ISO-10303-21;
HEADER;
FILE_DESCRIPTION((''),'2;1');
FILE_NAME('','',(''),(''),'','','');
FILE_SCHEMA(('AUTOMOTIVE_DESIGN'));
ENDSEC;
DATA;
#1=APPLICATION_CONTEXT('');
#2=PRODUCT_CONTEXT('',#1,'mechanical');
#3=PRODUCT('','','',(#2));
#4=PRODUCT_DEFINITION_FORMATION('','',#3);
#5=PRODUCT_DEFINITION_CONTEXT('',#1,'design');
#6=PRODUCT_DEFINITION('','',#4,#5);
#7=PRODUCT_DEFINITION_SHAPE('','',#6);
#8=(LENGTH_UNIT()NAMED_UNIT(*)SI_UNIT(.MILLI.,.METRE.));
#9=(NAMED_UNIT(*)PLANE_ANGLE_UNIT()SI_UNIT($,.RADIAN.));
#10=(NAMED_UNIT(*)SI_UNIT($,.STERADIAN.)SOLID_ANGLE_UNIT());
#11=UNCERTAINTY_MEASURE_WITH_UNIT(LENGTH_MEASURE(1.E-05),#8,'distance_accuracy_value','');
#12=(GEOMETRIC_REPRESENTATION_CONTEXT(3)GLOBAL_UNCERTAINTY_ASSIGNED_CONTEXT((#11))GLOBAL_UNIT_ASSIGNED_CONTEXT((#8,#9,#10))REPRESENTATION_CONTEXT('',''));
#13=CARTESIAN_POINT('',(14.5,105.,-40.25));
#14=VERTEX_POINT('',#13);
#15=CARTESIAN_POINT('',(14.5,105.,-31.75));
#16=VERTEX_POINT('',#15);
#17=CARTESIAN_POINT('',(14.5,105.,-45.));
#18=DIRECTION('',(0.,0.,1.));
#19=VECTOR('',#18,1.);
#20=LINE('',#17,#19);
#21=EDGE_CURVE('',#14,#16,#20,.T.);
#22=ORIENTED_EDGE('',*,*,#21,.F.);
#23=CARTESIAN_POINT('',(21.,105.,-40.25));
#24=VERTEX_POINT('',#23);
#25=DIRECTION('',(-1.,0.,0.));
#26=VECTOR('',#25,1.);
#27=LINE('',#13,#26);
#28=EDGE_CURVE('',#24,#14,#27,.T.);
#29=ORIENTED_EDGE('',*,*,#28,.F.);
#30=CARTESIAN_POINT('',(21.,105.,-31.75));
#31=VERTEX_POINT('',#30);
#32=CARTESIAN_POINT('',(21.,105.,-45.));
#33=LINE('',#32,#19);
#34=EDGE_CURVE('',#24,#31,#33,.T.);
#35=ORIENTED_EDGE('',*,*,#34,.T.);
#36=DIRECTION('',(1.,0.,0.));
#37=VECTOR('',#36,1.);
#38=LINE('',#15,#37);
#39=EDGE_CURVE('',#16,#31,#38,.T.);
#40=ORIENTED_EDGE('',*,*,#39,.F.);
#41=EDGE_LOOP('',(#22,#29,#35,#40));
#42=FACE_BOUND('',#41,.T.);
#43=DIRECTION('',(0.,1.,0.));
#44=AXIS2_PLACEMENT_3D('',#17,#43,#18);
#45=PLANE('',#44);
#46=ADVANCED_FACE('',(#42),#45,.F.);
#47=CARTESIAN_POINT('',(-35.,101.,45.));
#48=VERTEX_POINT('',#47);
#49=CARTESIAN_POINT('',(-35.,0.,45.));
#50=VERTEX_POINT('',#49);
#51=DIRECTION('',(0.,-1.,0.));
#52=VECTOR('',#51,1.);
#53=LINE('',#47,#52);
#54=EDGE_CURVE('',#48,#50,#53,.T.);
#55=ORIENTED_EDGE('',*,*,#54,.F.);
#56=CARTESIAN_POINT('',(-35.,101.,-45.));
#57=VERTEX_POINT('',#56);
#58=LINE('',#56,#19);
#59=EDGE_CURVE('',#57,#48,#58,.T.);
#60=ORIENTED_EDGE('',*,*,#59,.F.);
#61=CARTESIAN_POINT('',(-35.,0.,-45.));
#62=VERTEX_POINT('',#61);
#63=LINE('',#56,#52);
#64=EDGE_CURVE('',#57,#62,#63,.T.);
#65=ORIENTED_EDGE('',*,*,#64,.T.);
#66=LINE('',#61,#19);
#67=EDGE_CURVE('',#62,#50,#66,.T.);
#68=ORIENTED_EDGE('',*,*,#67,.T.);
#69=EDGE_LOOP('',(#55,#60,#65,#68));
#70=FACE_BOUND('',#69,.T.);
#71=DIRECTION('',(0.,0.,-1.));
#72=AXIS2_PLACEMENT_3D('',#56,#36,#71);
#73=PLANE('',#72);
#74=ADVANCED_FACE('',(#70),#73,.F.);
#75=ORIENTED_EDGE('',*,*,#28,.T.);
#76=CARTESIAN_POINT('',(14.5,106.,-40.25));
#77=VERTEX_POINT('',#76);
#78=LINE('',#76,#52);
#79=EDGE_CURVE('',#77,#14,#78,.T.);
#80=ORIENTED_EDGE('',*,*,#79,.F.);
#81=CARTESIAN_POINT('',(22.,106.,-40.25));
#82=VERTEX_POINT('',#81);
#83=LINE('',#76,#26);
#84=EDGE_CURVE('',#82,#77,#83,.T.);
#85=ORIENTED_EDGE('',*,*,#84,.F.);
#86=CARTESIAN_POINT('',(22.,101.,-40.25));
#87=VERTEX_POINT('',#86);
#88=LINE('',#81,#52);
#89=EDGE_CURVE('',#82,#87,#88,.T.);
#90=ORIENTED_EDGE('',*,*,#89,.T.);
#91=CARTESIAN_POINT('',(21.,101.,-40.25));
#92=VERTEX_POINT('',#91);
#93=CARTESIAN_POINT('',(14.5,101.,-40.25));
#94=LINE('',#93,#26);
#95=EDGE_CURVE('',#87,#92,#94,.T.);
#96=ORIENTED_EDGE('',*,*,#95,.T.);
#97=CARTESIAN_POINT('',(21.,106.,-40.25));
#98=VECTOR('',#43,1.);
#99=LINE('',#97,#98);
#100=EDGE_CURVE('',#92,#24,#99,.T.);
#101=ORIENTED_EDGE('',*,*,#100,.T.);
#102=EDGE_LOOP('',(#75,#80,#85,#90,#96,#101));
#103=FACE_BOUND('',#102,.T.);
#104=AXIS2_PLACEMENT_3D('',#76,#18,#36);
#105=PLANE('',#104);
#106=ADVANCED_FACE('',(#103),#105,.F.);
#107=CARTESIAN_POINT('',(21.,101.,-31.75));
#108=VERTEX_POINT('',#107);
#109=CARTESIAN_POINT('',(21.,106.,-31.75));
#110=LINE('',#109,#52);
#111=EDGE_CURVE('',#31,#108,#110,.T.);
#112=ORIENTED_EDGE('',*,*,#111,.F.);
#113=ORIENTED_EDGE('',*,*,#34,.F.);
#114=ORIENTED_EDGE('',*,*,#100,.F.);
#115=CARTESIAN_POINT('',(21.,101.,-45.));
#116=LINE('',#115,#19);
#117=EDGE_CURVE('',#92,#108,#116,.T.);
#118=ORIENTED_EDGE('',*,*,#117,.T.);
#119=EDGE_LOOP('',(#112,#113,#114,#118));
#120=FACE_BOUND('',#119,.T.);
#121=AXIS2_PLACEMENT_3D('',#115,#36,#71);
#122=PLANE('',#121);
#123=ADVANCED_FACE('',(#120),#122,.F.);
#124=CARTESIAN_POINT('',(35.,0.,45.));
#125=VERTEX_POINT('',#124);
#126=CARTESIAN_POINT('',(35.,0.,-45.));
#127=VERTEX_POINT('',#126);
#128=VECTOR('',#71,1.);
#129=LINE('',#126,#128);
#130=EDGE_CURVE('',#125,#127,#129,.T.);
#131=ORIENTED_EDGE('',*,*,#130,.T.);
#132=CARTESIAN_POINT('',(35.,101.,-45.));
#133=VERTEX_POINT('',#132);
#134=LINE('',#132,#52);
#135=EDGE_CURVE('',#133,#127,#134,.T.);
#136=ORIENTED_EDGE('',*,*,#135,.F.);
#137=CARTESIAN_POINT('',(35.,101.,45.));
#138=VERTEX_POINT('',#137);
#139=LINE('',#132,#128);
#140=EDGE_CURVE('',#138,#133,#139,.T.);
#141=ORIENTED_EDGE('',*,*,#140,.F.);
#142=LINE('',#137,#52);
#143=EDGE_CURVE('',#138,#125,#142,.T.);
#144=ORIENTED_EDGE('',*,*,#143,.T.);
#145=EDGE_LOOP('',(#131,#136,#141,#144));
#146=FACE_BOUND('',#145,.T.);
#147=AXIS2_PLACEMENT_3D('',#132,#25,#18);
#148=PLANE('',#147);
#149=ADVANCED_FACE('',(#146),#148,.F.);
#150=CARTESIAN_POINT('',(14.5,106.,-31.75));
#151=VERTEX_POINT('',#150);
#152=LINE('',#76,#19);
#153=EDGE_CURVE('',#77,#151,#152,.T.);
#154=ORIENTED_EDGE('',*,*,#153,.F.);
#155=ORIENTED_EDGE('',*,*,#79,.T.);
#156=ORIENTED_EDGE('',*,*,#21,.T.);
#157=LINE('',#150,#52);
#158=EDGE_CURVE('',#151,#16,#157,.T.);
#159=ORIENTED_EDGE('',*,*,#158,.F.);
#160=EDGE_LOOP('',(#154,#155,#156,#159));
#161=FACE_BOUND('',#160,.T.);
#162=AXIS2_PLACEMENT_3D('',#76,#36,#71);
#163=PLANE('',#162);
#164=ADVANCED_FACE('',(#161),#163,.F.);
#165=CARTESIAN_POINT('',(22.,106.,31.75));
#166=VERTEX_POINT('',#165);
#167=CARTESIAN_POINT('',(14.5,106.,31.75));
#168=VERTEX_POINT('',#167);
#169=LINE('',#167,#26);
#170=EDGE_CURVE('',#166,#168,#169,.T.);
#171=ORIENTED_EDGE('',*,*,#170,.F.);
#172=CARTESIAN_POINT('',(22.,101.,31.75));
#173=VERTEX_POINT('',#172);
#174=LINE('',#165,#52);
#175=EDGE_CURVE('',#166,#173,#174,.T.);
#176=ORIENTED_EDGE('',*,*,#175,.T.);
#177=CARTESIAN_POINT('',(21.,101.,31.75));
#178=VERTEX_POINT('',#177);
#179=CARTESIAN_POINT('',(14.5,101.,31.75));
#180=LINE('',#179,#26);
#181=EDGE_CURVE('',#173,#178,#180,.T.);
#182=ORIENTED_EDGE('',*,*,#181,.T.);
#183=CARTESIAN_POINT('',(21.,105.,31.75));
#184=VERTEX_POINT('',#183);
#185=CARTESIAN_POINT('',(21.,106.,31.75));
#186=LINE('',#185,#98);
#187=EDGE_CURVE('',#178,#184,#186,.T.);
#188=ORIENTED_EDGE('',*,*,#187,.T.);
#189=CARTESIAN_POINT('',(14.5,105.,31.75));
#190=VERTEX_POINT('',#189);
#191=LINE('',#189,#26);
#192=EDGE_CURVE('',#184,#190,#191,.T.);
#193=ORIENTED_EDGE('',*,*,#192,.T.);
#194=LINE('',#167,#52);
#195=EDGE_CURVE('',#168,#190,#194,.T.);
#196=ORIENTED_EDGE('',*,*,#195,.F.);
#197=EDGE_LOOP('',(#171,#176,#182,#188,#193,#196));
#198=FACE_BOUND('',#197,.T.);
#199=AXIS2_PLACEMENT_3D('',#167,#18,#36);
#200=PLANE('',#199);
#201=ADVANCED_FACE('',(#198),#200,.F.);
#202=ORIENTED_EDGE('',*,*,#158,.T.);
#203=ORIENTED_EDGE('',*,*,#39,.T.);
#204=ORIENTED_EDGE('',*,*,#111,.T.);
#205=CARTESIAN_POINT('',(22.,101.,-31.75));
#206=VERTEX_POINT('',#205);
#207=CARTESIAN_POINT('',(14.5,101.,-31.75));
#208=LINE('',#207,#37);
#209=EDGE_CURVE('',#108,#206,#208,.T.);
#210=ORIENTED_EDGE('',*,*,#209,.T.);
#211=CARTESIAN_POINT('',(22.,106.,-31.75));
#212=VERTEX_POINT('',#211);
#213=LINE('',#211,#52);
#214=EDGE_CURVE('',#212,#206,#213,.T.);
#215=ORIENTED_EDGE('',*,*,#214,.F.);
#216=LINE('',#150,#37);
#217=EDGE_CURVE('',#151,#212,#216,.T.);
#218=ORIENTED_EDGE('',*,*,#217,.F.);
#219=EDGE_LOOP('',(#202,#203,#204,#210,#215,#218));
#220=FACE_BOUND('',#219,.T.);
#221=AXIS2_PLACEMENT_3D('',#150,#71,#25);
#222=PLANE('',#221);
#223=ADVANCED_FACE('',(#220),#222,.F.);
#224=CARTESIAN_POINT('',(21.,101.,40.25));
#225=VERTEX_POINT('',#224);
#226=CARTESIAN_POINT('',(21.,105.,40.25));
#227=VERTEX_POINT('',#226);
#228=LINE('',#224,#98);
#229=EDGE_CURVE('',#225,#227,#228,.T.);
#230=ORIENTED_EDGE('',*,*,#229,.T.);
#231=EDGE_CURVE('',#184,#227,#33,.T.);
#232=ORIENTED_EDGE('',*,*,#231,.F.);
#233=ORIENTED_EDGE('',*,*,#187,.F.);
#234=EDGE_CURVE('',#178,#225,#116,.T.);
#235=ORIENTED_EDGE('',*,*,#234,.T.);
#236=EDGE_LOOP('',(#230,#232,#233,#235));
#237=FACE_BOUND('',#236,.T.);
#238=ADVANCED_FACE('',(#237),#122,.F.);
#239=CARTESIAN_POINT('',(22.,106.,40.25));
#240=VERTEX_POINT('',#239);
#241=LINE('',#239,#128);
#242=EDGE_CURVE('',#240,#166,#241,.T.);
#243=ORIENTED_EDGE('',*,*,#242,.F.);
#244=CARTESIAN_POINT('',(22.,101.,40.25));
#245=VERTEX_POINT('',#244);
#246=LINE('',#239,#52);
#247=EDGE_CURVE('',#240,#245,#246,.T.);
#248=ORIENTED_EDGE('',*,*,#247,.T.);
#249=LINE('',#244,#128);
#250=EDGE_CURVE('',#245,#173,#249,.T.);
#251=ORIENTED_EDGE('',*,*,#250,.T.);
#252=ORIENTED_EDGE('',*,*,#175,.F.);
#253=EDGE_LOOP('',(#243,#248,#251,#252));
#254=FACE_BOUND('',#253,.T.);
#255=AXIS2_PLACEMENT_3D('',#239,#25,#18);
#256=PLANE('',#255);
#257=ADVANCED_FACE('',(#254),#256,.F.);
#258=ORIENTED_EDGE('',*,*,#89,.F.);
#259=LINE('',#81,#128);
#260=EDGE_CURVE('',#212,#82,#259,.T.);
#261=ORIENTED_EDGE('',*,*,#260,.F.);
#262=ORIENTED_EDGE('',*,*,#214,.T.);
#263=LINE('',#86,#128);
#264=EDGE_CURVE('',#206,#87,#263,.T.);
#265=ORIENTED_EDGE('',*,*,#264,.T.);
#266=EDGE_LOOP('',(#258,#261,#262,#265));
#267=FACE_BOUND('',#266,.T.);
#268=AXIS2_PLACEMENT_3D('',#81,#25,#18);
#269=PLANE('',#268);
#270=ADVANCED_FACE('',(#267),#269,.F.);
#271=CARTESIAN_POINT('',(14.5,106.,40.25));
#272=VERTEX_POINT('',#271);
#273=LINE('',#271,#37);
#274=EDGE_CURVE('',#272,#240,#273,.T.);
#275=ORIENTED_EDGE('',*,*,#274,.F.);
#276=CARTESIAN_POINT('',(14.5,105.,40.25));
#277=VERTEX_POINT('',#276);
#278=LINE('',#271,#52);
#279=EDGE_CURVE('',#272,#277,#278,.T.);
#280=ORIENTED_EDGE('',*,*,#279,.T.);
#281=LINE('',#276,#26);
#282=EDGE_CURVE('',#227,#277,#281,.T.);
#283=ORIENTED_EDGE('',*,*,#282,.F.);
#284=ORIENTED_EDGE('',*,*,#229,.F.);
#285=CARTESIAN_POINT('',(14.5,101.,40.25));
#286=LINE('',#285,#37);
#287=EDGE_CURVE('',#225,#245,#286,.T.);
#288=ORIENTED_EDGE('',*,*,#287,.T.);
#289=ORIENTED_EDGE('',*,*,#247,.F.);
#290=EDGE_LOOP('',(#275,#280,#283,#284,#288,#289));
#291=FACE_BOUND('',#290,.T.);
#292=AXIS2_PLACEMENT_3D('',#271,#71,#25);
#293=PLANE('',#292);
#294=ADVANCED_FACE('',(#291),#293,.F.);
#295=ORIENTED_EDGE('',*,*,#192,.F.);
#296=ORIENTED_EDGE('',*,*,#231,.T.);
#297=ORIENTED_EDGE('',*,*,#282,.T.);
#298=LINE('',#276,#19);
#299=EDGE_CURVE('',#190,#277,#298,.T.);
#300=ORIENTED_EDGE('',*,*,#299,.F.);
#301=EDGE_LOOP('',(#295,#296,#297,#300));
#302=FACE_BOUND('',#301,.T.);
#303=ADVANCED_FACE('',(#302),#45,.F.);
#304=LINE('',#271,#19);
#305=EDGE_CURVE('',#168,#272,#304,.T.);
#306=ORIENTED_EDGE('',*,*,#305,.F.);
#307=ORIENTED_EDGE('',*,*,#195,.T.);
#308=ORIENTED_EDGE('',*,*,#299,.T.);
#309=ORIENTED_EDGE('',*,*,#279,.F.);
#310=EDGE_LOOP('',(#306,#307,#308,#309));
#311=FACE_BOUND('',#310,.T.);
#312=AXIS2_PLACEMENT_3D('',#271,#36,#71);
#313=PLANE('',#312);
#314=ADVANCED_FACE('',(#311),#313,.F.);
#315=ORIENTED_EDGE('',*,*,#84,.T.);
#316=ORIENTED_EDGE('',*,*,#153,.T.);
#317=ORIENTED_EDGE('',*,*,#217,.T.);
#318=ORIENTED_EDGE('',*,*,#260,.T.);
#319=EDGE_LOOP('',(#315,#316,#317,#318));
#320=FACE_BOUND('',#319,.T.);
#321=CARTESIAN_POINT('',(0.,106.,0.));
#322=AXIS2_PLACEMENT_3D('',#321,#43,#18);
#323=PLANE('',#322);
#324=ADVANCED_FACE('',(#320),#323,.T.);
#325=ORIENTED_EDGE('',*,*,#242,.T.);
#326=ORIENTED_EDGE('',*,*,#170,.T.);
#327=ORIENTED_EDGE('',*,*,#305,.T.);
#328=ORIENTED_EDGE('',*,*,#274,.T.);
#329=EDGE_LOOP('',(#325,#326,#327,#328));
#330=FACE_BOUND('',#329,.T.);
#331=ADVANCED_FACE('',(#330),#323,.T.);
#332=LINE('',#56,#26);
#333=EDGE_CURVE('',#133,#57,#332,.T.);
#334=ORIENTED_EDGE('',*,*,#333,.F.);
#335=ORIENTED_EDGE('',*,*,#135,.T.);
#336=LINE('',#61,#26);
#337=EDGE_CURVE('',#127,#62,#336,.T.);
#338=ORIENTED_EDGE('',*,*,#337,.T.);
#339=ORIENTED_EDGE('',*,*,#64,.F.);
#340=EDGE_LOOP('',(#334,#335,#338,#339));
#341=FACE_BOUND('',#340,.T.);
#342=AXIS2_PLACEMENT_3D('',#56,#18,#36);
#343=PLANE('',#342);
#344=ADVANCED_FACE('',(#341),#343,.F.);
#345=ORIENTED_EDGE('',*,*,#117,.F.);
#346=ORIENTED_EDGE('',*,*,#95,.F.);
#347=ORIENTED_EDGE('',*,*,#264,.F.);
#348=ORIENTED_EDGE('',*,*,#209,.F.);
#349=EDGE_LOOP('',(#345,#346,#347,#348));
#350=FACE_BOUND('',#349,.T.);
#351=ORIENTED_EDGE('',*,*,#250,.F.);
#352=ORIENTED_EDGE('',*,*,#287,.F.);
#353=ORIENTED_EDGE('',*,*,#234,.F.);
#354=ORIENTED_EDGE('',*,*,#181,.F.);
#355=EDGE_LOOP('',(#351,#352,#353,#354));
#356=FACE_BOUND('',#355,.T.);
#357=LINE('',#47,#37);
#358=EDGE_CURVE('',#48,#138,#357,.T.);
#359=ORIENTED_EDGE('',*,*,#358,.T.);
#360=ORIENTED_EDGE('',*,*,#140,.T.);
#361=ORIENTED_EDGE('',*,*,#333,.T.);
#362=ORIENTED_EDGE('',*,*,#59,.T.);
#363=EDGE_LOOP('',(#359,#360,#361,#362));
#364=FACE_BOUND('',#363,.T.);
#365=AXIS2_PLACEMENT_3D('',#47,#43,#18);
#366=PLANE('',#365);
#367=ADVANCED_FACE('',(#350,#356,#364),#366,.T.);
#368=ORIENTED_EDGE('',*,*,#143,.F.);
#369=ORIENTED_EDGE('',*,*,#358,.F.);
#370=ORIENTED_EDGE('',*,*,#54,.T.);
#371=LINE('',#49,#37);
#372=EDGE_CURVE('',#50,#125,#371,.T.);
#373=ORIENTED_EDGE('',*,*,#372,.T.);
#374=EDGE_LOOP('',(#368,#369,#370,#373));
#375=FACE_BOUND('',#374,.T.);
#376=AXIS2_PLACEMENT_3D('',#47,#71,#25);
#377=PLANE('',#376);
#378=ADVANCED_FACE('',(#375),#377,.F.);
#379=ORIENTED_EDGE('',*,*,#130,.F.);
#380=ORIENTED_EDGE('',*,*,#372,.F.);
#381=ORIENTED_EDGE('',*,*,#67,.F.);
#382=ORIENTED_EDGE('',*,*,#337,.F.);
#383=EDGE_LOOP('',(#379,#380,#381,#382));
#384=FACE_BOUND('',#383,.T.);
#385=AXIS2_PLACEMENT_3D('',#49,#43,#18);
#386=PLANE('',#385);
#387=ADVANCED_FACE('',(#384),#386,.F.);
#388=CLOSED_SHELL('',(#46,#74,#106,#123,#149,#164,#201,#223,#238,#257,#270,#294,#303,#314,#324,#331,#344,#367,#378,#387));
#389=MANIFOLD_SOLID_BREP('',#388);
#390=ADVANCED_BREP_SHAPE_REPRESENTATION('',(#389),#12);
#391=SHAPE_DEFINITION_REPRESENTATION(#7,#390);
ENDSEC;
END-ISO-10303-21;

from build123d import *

# Parameters (mm, degrees)
SKETCH_2_W          = 70
SKETCH_2_H          = 90
EXTRUDE_1_DEPTH     = 101
SKETCH_3_W          = 7.5
SKETCH_3_H          = 8.5
EXTRUDE_1_2_DEPTH   = 5
SKETCH_4_W          = 6.5
SKETCH_4_H          = 4
CUT_EXTRUDE_1_DEPTH = 141.458401315


with BuildPart() as part:
    # 草图2 → Extrude 1 (new body)
    with BuildSketch(Plane(origin=(0, 0, 0), x_dir=(1, 0, 0), z_dir=(0, 1, 0))):
        Rectangle(SKETCH_2_W, SKETCH_2_H)
    extrude(amount=EXTRUDE_1_DEPTH)

    # 草图3 → Extrude 1 2 (add)
    with BuildSketch(Plane(origin=(0, 101, 0), x_dir=(1, 0, 0), z_dir=(0, 1, 0))):
        with Locations((18.25, 36)):
            Rectangle(SKETCH_3_W, SKETCH_3_H)
        with Locations((18.25, -36)):
            Rectangle(SKETCH_3_W, SKETCH_3_H)
    extrude(amount=EXTRUDE_1_2_DEPTH)

    # 草图4 → 切除-拉伸1 (cut, through all)
    with BuildSketch(Plane.XY.offset(40.25)):
        with Locations((17.75, 103)):
            Rectangle(SKETCH_4_W, SKETCH_4_H)
    extrude(amount=-CUT_EXTRUDE_1_DEPTH, mode=Mode.SUBTRACT)


solid = part.part
